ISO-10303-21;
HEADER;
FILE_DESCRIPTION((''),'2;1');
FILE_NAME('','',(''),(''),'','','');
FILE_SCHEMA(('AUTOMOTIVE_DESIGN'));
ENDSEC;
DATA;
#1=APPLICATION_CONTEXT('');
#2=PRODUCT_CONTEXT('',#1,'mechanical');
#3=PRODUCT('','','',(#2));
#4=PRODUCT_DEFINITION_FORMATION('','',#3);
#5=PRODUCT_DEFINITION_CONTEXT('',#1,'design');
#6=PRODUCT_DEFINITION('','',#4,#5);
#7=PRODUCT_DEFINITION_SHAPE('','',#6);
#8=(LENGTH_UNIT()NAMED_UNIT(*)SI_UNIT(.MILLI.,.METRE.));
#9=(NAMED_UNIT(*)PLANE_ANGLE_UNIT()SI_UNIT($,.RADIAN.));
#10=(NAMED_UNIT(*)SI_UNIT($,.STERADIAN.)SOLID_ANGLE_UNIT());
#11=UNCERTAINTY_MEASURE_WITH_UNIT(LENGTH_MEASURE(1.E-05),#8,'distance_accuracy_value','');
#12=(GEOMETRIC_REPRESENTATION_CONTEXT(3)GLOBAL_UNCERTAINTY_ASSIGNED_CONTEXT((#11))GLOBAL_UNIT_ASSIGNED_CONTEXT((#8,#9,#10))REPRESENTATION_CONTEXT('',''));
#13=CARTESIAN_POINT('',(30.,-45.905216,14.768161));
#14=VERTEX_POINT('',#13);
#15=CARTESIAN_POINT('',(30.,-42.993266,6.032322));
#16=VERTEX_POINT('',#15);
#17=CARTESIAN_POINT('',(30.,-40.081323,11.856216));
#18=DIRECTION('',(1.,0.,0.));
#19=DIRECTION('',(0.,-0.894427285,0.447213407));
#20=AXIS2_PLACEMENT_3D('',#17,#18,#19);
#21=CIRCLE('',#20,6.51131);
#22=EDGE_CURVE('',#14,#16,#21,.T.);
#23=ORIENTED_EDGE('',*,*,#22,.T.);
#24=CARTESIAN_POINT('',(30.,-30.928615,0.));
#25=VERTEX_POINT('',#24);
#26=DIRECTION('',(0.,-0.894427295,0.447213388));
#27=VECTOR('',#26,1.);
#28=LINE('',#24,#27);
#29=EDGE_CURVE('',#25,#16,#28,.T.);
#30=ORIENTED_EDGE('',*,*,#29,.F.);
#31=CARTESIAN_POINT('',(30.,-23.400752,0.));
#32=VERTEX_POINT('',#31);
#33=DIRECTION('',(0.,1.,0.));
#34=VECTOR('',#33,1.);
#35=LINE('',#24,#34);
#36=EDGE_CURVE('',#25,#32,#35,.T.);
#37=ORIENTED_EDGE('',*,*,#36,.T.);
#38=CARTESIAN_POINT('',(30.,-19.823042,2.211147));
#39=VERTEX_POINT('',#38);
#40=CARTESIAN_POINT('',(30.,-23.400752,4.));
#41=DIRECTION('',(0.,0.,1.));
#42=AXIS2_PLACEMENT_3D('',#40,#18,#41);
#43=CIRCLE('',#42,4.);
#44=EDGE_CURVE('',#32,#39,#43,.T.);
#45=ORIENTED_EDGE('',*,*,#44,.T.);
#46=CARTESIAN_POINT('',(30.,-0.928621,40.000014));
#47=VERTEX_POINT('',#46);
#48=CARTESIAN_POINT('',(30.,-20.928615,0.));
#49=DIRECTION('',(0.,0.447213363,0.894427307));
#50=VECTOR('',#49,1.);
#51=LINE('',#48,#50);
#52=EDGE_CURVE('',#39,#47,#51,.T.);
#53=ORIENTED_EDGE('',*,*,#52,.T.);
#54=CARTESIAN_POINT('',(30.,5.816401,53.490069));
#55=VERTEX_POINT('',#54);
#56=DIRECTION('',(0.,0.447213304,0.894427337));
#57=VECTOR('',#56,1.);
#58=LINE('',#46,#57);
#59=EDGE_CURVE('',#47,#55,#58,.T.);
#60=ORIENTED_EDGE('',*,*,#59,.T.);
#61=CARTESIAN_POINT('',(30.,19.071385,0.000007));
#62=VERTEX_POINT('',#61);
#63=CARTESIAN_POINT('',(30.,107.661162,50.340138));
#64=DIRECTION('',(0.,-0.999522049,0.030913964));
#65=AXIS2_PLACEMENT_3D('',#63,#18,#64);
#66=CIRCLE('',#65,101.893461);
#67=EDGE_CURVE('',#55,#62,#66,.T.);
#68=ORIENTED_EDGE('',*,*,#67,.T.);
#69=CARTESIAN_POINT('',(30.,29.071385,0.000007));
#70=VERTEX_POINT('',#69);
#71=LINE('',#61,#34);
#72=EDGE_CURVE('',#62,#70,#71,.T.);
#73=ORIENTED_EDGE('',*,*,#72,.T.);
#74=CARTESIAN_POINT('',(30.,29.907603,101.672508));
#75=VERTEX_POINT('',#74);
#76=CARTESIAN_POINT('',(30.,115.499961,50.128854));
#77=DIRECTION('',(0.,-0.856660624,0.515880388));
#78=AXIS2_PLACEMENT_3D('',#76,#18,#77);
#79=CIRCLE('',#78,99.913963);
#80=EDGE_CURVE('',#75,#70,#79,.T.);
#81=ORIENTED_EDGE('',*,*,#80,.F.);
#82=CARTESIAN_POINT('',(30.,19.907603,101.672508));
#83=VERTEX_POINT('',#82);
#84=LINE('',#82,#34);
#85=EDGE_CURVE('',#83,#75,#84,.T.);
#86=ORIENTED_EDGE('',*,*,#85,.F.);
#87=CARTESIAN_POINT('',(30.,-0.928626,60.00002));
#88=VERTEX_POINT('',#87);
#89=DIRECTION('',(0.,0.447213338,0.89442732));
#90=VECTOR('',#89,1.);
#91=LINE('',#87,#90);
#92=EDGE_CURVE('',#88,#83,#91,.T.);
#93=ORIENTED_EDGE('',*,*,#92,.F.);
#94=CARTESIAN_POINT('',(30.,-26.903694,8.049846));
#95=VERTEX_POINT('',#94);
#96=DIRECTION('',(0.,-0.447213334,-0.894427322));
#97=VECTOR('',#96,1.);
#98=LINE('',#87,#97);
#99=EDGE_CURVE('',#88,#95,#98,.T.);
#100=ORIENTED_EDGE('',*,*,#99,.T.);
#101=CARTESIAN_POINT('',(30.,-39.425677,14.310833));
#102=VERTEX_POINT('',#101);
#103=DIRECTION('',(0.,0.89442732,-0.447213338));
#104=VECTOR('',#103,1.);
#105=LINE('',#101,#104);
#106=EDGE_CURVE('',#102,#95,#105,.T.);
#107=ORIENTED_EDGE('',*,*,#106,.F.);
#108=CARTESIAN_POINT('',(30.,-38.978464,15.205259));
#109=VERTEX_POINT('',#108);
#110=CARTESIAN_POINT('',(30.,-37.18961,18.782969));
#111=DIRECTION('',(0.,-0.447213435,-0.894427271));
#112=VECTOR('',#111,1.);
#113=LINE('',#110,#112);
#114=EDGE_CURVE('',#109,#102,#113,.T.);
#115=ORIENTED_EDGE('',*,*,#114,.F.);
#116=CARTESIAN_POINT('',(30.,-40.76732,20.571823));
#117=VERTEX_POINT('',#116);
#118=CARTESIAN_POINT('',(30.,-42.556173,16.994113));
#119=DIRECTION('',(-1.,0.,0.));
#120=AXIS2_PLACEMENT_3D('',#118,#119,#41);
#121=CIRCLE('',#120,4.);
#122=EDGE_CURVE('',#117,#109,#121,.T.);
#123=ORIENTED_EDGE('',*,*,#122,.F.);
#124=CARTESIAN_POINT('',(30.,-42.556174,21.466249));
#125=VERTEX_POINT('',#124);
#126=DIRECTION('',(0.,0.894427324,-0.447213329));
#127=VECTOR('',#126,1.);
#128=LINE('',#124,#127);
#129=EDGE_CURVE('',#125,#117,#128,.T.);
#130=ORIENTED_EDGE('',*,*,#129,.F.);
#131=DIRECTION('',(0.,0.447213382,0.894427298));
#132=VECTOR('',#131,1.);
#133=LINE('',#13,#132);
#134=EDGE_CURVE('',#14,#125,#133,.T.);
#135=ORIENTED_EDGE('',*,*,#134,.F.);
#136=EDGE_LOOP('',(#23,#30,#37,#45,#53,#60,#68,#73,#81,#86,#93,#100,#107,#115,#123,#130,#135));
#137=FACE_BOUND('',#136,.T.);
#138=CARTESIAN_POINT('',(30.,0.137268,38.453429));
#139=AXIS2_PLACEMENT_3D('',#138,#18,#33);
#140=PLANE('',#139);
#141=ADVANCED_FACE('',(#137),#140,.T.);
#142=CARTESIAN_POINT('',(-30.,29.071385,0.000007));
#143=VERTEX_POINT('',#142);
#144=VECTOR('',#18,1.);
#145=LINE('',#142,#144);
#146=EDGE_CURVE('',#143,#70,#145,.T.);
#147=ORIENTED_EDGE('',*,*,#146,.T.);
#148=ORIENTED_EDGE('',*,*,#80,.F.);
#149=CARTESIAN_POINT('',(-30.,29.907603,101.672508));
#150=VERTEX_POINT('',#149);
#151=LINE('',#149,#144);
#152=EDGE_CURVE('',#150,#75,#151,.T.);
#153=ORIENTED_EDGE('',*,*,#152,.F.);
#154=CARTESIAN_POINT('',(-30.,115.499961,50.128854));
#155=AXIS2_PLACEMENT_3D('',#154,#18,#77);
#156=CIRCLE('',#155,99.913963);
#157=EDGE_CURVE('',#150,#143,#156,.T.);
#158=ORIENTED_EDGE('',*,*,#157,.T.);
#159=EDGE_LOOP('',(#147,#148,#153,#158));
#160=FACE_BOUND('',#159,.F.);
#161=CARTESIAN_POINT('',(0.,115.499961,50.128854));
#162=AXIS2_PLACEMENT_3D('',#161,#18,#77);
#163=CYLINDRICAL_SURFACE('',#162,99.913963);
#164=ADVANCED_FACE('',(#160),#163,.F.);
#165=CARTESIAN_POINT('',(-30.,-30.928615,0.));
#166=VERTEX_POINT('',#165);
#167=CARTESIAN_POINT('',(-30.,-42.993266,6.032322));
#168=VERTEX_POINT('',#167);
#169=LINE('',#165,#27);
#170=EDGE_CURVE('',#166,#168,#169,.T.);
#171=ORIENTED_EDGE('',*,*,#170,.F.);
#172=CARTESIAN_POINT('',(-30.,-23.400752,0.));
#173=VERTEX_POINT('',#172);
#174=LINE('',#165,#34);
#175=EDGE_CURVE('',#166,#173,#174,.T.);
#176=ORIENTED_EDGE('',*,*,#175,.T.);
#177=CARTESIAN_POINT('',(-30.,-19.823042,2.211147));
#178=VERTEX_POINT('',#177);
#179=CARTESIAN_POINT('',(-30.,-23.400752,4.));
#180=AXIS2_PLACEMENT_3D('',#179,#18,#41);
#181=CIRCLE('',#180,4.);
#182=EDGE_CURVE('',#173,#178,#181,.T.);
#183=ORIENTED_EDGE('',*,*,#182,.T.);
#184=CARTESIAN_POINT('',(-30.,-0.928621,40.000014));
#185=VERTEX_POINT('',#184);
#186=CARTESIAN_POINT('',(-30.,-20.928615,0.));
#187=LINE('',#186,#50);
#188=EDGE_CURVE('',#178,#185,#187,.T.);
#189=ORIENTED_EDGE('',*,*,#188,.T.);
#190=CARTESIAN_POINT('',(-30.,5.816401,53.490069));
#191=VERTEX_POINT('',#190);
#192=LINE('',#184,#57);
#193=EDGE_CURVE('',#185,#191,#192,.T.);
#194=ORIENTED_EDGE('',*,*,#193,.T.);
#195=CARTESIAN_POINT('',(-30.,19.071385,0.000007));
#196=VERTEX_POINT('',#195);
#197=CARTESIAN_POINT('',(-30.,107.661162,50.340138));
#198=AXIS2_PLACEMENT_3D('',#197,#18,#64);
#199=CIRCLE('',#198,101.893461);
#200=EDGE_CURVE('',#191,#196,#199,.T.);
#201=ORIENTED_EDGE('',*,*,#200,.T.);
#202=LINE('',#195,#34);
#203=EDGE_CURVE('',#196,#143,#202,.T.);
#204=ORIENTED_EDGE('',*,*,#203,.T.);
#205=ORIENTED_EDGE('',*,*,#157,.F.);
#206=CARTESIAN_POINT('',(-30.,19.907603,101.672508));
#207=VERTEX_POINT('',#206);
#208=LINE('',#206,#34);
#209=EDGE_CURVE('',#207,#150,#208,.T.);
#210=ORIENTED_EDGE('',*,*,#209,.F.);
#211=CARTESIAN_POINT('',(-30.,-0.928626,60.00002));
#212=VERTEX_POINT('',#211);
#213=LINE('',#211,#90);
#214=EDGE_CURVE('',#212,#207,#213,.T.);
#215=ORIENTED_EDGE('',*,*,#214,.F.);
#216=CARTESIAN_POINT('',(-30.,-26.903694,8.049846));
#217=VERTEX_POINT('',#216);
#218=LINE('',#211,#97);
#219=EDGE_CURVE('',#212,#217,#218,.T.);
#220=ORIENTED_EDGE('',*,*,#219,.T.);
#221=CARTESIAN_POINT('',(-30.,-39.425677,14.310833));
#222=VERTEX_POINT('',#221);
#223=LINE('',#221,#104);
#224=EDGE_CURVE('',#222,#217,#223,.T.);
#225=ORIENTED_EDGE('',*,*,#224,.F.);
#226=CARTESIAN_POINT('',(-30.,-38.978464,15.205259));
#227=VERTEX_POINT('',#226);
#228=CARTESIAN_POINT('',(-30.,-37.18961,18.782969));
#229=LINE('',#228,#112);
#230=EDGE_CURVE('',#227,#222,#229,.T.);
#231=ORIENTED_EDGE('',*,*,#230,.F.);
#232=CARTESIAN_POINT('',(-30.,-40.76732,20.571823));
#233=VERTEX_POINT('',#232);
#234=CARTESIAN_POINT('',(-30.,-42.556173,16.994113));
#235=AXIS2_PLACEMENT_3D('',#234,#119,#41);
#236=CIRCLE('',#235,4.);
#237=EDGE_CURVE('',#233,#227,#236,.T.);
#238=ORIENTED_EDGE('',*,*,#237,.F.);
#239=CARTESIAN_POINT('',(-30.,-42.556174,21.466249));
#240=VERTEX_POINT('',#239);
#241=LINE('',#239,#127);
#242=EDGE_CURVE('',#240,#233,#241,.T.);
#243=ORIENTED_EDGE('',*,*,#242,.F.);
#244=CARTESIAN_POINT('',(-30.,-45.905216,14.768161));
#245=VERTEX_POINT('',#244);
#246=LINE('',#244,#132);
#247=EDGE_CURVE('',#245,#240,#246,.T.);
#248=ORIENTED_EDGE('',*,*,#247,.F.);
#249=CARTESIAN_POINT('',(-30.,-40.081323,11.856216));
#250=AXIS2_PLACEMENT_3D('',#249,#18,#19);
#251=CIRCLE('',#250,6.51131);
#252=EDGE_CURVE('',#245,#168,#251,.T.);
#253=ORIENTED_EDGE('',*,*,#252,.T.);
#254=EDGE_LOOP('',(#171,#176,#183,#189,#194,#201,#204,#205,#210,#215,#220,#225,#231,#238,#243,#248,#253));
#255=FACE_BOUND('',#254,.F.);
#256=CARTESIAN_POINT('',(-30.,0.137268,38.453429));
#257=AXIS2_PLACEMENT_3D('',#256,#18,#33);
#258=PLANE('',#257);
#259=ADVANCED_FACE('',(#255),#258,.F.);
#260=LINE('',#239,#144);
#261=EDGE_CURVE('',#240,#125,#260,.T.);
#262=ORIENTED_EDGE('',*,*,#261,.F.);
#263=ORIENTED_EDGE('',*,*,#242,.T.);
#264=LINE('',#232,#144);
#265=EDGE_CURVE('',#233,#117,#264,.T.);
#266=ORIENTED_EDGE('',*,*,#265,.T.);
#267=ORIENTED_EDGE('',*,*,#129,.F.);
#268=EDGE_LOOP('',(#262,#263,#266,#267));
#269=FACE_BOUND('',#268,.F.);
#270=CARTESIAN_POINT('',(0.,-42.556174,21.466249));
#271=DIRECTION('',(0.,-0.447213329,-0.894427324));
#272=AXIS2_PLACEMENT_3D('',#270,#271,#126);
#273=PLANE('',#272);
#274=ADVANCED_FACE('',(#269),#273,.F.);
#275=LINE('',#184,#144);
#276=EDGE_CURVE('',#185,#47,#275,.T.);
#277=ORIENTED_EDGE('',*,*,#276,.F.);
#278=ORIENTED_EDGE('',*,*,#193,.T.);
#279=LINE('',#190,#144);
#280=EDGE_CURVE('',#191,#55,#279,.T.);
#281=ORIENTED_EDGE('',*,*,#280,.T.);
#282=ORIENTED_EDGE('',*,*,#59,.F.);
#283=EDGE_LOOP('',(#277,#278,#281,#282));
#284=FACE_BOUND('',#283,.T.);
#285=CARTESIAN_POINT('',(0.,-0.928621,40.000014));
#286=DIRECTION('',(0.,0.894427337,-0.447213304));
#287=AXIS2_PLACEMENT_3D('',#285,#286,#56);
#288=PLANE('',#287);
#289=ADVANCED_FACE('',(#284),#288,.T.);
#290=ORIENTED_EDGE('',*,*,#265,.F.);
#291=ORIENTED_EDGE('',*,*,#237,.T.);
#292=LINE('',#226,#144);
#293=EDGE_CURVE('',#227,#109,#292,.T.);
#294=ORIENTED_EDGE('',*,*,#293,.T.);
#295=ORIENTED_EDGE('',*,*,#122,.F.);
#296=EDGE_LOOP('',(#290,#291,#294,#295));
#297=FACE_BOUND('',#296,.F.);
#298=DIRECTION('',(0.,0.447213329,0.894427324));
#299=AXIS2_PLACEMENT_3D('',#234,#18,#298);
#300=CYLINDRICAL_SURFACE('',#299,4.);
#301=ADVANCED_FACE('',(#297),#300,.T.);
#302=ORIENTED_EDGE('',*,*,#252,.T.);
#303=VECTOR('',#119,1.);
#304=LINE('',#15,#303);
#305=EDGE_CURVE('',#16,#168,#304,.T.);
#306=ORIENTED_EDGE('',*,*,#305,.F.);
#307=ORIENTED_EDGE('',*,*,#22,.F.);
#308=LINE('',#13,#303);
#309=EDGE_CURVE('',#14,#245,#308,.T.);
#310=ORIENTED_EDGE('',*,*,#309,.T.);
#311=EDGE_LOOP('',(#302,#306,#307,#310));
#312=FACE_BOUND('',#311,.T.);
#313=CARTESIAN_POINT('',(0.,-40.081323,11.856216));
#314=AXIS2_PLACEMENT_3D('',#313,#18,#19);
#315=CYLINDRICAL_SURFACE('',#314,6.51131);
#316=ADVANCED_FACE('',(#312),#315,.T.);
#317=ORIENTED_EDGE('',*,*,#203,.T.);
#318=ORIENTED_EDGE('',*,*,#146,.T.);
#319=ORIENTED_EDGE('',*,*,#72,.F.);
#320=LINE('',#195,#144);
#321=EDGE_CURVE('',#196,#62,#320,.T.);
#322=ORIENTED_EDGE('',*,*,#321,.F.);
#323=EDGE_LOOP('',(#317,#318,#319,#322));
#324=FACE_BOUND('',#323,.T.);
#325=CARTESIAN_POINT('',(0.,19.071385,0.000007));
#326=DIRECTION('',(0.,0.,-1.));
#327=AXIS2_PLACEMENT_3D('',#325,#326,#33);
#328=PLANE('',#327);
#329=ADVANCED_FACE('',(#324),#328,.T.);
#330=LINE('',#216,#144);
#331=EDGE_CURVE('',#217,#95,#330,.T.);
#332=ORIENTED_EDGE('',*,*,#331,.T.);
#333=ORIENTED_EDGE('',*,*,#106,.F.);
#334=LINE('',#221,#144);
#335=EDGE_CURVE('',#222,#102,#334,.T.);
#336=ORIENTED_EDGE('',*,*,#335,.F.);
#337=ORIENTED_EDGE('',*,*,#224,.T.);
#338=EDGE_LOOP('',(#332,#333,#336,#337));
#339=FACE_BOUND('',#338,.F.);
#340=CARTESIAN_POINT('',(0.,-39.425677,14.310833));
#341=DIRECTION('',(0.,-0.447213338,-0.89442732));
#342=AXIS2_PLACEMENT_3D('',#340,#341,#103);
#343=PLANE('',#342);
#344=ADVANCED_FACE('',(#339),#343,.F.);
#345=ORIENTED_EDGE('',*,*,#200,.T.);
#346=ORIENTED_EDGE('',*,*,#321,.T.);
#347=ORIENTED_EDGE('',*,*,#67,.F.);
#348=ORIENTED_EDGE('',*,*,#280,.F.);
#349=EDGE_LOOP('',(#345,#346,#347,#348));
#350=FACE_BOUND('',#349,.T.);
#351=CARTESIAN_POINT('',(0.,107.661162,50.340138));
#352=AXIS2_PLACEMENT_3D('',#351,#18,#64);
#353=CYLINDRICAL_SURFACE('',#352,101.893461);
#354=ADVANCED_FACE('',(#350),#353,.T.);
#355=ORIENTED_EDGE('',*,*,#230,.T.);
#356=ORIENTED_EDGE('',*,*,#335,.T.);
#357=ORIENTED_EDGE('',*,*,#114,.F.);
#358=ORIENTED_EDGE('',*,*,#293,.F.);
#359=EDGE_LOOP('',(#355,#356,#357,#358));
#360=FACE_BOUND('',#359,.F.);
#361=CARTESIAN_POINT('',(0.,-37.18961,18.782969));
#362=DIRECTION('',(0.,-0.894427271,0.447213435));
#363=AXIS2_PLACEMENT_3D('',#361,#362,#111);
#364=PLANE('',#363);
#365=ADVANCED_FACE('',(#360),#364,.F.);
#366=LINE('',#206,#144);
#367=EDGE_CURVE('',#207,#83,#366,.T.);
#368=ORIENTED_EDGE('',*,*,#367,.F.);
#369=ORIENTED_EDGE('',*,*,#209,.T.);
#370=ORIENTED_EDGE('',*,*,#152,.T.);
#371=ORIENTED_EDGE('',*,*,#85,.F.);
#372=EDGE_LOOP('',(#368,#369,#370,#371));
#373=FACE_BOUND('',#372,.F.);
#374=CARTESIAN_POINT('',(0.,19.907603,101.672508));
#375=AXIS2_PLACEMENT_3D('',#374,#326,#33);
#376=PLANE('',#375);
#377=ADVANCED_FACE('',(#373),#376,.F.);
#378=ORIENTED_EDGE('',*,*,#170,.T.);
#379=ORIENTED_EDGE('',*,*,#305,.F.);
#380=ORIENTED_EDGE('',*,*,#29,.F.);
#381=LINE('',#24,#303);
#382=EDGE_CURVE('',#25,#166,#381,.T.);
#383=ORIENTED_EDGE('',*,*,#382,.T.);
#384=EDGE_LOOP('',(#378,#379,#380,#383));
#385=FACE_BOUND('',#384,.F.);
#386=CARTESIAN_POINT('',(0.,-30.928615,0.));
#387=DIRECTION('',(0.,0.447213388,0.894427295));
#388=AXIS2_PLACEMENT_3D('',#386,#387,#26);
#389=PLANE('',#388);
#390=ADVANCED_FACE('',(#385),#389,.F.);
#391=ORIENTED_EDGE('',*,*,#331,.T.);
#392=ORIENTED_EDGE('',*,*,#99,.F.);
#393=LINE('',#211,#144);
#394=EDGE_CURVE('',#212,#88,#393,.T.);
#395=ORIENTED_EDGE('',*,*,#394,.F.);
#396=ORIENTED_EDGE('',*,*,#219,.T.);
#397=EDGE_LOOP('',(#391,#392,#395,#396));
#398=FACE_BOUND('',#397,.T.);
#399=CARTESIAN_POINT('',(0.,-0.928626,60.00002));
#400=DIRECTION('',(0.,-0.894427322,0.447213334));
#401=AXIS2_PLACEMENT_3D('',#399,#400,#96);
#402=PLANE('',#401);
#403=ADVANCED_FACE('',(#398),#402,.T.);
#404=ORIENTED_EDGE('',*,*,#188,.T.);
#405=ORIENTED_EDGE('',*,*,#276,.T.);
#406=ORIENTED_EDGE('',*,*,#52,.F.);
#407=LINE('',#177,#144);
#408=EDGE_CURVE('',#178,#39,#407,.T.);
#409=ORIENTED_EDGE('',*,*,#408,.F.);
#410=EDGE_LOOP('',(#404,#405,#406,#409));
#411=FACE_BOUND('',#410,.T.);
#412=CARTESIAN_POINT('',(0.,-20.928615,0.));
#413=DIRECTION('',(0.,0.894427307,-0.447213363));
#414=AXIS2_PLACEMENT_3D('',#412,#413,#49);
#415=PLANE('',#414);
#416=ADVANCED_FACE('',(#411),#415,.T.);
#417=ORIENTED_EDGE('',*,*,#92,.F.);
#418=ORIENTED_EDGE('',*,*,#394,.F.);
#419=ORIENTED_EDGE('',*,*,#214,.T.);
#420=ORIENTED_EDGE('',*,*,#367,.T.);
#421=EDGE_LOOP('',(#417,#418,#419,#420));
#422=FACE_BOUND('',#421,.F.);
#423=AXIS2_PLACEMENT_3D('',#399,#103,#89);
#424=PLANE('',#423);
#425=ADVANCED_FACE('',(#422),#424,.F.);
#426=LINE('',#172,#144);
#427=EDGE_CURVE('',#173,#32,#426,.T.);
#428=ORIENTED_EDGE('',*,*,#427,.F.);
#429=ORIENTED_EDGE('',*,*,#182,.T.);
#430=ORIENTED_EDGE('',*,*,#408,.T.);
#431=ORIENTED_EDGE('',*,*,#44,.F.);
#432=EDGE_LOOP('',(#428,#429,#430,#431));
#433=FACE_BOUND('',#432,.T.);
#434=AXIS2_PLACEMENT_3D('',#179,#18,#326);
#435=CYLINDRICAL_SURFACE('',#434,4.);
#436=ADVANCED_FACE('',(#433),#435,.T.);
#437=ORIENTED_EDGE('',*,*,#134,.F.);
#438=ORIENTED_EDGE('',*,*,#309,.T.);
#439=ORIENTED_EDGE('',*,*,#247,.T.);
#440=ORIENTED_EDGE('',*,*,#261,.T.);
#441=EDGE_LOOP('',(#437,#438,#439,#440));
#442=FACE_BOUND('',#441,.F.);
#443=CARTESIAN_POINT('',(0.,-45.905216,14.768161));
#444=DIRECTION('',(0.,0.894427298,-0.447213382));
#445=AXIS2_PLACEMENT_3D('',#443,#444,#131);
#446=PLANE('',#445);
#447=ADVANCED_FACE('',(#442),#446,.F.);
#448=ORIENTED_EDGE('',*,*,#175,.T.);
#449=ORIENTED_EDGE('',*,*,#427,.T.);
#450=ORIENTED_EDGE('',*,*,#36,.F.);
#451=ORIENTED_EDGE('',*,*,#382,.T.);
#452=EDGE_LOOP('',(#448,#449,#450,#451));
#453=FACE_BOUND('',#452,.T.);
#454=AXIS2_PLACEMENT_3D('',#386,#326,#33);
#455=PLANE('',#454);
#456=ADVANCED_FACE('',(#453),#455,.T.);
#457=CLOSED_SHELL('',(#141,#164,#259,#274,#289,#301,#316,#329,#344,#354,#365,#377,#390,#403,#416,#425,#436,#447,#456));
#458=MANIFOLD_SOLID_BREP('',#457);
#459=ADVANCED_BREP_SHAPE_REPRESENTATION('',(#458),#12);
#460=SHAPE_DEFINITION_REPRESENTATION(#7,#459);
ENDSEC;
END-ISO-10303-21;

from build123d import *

# Parameters (mm, degrees)
PAD_DEPTH   = 30
FILLET_R    = 4
FILLET001_R = 4


with BuildPart() as part:
    # Sketch → Pad (new body, symmetric)
    with BuildSketch(Plane.YZ):
        with BuildLine():
            Line((-30.928615, 0), (-20.928615, 0))
            Line((-20.928615, 0), (-0.928621, 40.000014))
            Line((-0.928621, 40.000014), (5.816401, 53.490069))
            ThreePointArc((5.816401, 53.490069), (8.759064, 25.831927), (19.071385, 7e-06))
            Line((19.071385, 7e-06), (29.071385, 7e-06))
            ThreePointArc((29.907603, 101.672508), (15.589377, 50.95058), (29.071385, 7e-06))
            Line((19.907603, 101.672508), (29.907603, 101.672508))
            Line((-0.928626, 60.00002), (19.907603, 101.672508))
            Line((-0.928626, 60.00002), (-26.903694, 8.049846))
            Line((-39.425677, 14.310833), (-26.903694, 8.049846))
            Line((-37.18961, 18.782969), (-39.425677, 14.310833))
            Line((-42.556174, 21.466249), (-37.18961, 18.782969))
            Line((-45.905216, 14.768161), (-42.556174, 21.466249))
            ThreePointArc((-45.905216, 14.768161), (-46.258493, 9.797157), (-42.993266, 6.032322))
            Line((-30.928615, 0), (-42.993266, 6.032322))
        make_face()
    extrude(amount=PAD_DEPTH, both=True)

    # Fillet
    fillet_edges = [part.edges().sort_by_distance(p)[0] for p in [
        (0, -37.18961, 18.782969),
    ]]
    fillet(fillet_edges, radius=FILLET_R)

    # Fillet001
    fillet001_edges = [part.edges().sort_by_distance(p)[0] for p in [
        (0, -20.928615, 0),
    ]]
    fillet(fillet001_edges, radius=FILLET001_R)


solid = part.part
